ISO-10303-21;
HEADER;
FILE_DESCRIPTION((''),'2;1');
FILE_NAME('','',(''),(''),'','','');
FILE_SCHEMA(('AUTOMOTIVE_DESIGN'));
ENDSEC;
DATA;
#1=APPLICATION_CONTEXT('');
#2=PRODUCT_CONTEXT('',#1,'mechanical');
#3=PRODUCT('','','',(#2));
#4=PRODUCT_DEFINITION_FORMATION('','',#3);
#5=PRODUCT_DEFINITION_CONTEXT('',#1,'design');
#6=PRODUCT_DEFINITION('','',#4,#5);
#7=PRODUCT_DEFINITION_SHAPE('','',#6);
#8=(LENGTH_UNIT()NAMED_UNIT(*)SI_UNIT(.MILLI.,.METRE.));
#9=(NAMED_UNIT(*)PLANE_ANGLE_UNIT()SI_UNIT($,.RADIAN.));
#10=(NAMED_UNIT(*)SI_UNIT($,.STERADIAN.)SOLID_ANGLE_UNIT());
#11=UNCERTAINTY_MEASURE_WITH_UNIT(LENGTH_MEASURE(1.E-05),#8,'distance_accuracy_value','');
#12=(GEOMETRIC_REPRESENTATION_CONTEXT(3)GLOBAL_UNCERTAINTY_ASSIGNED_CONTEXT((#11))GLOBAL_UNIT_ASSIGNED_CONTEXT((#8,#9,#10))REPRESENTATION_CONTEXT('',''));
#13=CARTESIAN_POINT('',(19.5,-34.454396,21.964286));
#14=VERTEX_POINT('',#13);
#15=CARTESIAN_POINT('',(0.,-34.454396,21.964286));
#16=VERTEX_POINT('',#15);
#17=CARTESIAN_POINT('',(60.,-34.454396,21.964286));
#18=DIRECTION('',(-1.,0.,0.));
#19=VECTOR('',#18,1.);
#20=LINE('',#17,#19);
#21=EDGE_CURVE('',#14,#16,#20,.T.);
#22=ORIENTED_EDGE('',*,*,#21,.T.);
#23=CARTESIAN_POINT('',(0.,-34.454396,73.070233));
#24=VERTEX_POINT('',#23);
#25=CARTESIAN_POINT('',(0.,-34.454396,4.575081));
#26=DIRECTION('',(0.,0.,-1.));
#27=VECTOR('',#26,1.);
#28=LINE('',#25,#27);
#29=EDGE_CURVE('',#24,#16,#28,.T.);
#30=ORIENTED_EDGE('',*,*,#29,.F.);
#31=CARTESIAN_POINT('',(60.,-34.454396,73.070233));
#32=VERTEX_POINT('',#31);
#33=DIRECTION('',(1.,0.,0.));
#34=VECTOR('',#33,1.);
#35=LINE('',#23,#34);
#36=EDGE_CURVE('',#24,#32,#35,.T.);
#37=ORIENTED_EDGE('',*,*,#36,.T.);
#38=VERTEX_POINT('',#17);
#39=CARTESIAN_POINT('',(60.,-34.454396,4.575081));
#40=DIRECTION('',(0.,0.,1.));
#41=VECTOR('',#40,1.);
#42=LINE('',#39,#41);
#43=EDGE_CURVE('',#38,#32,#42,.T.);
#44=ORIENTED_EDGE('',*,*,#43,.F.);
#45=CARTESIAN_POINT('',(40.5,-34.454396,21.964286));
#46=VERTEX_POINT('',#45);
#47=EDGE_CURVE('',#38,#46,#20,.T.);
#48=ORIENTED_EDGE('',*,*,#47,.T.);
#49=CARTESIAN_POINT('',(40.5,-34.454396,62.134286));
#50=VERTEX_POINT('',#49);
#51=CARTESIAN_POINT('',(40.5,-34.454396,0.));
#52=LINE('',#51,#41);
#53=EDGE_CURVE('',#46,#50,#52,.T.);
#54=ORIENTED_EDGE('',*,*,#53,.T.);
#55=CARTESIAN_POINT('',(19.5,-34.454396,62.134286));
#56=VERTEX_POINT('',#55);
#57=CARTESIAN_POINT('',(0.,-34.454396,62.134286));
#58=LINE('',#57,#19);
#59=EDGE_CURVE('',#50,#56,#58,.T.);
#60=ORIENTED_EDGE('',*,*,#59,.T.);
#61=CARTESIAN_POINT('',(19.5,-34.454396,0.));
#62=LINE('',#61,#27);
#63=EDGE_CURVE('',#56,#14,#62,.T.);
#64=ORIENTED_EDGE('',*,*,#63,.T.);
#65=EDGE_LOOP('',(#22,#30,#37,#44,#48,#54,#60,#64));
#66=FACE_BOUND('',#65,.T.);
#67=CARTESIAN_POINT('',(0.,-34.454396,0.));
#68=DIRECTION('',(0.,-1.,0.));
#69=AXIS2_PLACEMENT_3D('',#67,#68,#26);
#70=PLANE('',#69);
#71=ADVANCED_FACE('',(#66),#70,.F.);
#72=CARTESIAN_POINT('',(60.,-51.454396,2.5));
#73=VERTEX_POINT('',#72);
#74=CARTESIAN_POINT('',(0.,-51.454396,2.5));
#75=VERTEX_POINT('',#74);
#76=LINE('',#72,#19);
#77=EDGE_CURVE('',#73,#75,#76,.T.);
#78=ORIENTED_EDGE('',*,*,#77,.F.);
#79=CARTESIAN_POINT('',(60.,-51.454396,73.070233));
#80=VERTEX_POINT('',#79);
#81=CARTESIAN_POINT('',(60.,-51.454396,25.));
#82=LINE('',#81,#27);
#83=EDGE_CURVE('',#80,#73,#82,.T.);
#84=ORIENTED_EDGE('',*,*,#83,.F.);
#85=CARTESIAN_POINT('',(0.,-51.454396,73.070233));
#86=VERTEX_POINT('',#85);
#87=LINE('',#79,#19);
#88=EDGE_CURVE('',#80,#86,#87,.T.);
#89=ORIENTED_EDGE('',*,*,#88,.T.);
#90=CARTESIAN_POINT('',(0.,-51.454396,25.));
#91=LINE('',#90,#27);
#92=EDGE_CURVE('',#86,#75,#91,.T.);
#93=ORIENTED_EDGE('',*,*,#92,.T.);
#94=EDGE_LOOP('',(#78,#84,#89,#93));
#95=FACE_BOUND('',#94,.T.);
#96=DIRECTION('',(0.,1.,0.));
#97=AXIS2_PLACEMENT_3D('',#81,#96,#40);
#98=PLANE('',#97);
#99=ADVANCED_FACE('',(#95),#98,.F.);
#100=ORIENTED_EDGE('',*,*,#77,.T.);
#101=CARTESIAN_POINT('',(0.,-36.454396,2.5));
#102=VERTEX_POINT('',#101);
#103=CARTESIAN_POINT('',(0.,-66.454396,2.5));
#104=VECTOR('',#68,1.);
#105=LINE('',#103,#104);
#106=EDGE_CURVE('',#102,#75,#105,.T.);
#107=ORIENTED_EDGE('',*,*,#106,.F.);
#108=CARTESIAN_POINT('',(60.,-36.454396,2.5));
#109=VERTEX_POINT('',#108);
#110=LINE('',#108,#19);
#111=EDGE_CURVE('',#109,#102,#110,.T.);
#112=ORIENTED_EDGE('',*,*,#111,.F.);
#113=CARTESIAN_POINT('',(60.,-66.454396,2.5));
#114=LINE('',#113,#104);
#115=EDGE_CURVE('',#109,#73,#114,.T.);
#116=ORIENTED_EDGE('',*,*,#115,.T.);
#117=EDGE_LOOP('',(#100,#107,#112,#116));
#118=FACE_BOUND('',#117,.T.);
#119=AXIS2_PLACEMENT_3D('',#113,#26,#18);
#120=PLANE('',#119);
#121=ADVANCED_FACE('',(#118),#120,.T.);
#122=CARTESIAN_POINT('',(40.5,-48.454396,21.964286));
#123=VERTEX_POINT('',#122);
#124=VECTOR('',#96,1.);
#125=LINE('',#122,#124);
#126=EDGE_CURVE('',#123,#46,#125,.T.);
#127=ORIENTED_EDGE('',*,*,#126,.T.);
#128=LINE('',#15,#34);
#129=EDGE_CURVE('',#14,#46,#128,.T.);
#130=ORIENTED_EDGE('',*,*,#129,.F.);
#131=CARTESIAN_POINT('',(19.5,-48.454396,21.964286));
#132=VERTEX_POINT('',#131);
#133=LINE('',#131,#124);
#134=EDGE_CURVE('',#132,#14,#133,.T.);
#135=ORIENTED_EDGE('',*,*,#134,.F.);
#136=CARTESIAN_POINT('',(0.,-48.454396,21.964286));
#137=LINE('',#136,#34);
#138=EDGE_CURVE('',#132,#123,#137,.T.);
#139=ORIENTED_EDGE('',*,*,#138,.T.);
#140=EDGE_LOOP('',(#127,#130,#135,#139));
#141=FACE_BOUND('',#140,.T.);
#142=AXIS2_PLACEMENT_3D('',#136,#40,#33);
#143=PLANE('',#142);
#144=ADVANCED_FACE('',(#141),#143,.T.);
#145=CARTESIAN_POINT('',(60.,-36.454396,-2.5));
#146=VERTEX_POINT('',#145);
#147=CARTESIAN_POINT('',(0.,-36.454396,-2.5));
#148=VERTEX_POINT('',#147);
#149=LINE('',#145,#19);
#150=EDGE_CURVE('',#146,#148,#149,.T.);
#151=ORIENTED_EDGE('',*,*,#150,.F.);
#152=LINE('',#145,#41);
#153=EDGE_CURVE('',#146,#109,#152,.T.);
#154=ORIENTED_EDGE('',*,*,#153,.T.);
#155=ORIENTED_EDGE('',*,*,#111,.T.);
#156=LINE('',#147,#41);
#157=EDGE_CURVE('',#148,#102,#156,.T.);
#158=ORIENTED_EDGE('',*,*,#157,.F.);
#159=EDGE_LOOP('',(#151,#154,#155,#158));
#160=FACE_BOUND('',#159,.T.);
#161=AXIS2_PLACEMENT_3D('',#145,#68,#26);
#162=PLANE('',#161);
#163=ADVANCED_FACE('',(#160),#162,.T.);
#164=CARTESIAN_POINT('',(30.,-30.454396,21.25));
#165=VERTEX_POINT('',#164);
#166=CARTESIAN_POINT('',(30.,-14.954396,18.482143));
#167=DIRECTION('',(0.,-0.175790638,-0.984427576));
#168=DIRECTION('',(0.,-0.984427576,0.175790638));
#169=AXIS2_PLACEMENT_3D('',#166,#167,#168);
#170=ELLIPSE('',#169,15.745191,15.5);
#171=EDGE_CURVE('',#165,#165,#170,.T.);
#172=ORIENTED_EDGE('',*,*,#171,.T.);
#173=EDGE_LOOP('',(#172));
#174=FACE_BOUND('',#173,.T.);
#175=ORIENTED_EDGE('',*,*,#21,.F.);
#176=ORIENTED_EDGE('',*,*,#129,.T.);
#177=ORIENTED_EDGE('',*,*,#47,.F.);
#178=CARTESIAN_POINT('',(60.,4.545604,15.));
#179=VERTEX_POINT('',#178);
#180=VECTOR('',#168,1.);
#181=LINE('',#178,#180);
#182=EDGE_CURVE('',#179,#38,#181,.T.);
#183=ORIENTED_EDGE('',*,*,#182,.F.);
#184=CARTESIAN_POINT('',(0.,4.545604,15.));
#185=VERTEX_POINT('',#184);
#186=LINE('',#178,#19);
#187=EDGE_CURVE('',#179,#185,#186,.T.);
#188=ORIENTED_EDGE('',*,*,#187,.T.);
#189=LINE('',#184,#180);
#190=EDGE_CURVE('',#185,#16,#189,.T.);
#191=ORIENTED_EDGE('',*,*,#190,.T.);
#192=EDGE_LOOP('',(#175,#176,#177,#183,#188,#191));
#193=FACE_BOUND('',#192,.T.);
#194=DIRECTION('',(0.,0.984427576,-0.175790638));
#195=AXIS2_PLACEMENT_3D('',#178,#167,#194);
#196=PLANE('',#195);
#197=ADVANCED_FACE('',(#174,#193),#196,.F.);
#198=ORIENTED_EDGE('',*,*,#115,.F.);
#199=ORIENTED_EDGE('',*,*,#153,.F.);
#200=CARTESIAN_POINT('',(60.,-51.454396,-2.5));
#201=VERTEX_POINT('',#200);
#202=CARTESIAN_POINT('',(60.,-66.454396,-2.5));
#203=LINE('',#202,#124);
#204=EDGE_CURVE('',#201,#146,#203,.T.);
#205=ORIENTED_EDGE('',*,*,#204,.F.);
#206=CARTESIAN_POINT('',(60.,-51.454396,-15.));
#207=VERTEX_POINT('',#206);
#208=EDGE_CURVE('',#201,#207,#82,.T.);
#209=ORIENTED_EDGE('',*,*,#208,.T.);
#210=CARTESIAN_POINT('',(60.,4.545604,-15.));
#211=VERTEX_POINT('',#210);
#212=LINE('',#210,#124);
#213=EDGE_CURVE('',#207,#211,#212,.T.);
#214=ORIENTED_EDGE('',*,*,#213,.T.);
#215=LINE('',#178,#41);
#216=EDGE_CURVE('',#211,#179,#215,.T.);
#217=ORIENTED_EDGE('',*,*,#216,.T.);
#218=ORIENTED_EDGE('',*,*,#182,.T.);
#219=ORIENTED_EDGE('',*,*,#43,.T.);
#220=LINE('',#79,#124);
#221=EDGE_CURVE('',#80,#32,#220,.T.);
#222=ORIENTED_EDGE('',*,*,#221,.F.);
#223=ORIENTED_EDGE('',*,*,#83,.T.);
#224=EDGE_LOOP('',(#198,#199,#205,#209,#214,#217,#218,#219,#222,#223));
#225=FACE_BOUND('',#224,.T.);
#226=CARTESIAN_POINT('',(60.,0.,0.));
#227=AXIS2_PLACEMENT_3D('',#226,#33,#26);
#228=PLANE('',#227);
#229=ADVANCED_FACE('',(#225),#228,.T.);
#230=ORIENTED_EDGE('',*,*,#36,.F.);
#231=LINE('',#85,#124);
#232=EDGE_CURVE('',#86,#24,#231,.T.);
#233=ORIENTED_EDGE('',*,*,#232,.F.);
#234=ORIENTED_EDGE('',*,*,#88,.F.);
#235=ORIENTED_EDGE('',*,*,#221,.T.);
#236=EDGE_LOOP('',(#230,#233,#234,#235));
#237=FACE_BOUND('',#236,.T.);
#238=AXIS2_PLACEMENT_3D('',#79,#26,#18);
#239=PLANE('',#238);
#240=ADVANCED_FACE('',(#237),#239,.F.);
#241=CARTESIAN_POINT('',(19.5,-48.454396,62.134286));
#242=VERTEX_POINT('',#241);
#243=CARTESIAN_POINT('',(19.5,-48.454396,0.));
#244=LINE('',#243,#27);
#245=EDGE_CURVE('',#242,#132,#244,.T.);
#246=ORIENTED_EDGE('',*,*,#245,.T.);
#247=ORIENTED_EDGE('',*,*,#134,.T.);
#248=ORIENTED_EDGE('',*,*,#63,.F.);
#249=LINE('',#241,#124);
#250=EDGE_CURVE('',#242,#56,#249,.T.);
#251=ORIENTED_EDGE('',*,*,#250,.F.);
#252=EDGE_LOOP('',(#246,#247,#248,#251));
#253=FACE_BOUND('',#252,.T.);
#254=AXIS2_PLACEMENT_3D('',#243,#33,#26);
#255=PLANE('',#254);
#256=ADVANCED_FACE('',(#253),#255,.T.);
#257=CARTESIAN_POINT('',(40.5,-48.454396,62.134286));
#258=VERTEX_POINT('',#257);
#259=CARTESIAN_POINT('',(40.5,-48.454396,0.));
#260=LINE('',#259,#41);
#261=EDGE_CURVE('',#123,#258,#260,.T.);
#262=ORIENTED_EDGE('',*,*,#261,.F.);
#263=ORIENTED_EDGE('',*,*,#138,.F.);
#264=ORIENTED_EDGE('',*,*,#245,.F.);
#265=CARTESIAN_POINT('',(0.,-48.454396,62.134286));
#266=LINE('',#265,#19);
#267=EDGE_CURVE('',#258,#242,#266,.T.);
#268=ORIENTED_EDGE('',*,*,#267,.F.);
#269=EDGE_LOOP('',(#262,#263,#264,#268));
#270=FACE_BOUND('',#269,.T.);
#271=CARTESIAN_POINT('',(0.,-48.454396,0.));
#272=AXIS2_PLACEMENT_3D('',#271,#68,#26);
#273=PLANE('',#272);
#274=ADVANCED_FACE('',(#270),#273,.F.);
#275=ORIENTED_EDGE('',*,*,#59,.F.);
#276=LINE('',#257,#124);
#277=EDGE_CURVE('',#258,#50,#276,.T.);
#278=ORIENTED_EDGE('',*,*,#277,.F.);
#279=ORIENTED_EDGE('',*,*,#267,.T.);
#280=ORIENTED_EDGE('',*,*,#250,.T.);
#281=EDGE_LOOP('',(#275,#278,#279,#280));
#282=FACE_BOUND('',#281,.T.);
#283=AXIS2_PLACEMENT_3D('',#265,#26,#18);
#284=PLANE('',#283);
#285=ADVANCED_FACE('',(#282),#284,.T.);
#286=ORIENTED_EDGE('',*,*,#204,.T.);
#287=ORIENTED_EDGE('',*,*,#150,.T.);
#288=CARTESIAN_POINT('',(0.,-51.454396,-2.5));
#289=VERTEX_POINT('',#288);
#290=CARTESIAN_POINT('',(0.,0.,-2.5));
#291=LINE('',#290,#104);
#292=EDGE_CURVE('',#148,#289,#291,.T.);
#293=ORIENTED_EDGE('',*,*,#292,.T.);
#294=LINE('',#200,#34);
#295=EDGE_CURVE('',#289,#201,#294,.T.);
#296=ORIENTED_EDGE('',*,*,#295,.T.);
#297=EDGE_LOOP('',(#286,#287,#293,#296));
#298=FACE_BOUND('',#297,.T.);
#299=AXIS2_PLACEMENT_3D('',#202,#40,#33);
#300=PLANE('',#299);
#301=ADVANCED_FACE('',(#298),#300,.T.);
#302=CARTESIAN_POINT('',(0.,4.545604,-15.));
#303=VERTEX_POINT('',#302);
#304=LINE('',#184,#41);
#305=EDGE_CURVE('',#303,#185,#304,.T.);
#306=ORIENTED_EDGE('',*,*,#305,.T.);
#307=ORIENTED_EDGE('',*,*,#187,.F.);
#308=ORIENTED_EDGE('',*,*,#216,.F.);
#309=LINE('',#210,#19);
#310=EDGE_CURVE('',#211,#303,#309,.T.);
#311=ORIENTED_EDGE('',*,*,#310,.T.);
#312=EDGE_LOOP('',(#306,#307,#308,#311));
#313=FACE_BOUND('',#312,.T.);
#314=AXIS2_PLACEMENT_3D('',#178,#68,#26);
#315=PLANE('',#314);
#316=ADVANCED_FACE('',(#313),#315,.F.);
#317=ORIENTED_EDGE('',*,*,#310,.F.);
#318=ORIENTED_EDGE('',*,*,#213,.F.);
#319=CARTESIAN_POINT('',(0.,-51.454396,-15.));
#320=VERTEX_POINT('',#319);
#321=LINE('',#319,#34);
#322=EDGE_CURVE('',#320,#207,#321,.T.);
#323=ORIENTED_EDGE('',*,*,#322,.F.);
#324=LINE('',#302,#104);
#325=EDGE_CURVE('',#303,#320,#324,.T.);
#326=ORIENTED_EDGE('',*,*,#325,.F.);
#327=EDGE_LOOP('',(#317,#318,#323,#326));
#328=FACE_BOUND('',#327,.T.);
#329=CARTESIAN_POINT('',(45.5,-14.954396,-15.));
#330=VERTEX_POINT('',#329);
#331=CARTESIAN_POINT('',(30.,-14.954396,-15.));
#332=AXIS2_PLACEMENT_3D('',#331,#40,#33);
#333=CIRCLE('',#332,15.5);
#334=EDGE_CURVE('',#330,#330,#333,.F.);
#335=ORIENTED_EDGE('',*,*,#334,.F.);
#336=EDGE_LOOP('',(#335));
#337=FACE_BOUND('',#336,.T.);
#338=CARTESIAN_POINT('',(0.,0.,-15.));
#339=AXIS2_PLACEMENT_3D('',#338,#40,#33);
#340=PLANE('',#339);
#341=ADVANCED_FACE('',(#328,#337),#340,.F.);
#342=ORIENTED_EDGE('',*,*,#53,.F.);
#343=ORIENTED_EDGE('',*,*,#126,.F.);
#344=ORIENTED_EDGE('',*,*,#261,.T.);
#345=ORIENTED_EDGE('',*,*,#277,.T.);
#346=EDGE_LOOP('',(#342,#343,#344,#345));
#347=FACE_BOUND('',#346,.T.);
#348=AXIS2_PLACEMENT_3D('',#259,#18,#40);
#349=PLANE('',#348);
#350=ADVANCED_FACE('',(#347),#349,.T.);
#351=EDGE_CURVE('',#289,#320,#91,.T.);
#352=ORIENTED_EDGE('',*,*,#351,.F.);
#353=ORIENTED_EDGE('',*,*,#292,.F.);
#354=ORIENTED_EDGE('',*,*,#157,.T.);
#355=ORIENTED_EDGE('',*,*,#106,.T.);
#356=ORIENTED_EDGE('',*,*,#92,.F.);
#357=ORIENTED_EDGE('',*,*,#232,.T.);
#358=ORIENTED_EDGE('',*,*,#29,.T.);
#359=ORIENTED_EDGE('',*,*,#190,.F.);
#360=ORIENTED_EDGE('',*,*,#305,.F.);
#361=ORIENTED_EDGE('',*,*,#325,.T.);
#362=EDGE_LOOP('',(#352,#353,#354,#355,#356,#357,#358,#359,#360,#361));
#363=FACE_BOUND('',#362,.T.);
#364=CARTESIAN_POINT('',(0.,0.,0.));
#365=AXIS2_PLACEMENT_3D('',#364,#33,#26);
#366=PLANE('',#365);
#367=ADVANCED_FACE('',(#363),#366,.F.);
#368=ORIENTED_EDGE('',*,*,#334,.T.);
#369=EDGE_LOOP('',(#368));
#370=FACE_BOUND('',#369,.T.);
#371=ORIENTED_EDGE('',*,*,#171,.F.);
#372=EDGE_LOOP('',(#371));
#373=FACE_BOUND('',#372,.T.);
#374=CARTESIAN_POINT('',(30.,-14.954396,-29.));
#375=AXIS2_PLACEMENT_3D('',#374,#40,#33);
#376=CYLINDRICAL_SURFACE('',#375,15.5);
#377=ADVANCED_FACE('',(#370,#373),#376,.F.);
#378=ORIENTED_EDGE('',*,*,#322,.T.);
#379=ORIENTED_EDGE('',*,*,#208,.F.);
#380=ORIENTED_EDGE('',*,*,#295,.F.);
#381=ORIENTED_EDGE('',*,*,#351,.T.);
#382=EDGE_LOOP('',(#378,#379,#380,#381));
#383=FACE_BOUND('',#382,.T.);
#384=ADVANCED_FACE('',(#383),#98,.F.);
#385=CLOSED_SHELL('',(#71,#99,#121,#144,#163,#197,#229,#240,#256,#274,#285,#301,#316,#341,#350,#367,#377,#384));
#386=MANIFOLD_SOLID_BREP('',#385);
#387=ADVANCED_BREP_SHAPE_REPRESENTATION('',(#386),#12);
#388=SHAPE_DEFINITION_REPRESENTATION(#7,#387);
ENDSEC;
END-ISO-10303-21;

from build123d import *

# Parameters (mm, degrees)
EXTRUDE_1_DEPTH          = 60
CUT_EXTRUDE_1_DEPTH      = 40
CUT_EXTRUDE_1_DEPTH_BACK = 29
SKETCH_4_R               = 15.5
SKETCH_5_W               = 5
SKETCH_5_H               = 30
CUT_EXTRUDE_2_DEPTH      = 83.900874001
SKETCH_7_W               = 60
SKETCH_7_H               = 85.424918669
EXTRUDE_2_DEPTH          = 17
CUT_EXTRUDE_START        = -34.454396
SKETCH_9_W               = 21
SKETCH_9_H               = 40.17
CUT_EXTRUDE_3_DEPTH      = 14
SKETCH_12_W              = 60
SKETCH_12_H              = 16.92976669
CUT_EXTRUDE_4_DEPTH      = 120.781279465
CUT_EXTRUDE_START_2      = -15
SKETCH_14_W              = 60
SKETCH_14_H              = 56
CUT_EXTRUDE_8_DEPTH      = 10


with BuildPart() as part:
    # 스케치3 → 보스-돌출1 (new body)
    with BuildSketch(Plane(origin=(0, 0, 0), x_dir=(0, 0, -1), z_dir=(1, 0, 0))):
        Polygon((-25, -51.454396413), (25, -51.454396413), (15, 4.545603587), (-15, 4.545603587), align=None)
    extrude(amount=EXTRUDE_1_DEPTH)

    # 스케치4 → 컷-돌출1 (cut, two sides: drawn at the far end of the back side and taken through both)
    with BuildSketch(Plane.XY.offset(-CUT_EXTRUDE_1_DEPTH_BACK)):
        with Locations(Location((30, -14.954396413, 0), (0, 0, 90))):
            Circle(SKETCH_4_R)
    extrude(amount=CUT_EXTRUDE_1_DEPTH + CUT_EXTRUDE_1_DEPTH_BACK, mode=Mode.SUBTRACT)

    # 스케치5 → 컷-돌출2 (cut, through all)
    with BuildSketch(Plane(origin=(0, 0, 0), x_dir=(0, 0, -1), z_dir=(1, 0, 0))):
        with Locations((0, -51.454396413)):
            Rectangle(SKETCH_5_W, SKETCH_5_H)
    extrude(amount=CUT_EXTRUDE_2_DEPTH, mode=Mode.SUBTRACT)

    # 스케치7 → 보스-돌출2 (add)
    with BuildSketch(Plane(origin=(0, -51.454396413, 0), x_dir=(-1, 0, 0), z_dir=(0, -1, 0))):
        with Locations((-30, -47.287540666)):
            Rectangle(SKETCH_7_W, SKETCH_7_H)
    extrude(amount=-EXTRUDE_2_DEPTH)

    # 스케치9 → 컷-돌출3 (cut)
    with BuildSketch(Plane(origin=(0, 0, 0), x_dir=(1, 0, 0), z_dir=(0, 1, 0)).offset(CUT_EXTRUDE_START)):
        with Locations((30, -42.049285714)):
            Rectangle(SKETCH_9_W, SKETCH_9_H)
    extrude(amount=-CUT_EXTRUDE_3_DEPTH, mode=Mode.SUBTRACT)

    # 스케치12 → 컷-돌출4 (cut, through all)
    with BuildSketch(Plane(origin=(0, 0, 0), x_dir=(1, 0, 0), z_dir=(0, 1, 0))):
        with Locations((30, -81.535116655)):
            Rectangle(SKETCH_12_W, SKETCH_12_H)
    extrude(amount=-CUT_EXTRUDE_4_DEPTH, mode=Mode.SUBTRACT)

    # 스케치14 → 컷-돌출8 (cut)
    with BuildSketch(Plane.XY.offset(CUT_EXTRUDE_START_2)):
        with Locations((30, -23.454396413)):
            Rectangle(SKETCH_14_W, SKETCH_14_H)
    extrude(amount=-CUT_EXTRUDE_8_DEPTH, mode=Mode.SUBTRACT)


solid = part.part
